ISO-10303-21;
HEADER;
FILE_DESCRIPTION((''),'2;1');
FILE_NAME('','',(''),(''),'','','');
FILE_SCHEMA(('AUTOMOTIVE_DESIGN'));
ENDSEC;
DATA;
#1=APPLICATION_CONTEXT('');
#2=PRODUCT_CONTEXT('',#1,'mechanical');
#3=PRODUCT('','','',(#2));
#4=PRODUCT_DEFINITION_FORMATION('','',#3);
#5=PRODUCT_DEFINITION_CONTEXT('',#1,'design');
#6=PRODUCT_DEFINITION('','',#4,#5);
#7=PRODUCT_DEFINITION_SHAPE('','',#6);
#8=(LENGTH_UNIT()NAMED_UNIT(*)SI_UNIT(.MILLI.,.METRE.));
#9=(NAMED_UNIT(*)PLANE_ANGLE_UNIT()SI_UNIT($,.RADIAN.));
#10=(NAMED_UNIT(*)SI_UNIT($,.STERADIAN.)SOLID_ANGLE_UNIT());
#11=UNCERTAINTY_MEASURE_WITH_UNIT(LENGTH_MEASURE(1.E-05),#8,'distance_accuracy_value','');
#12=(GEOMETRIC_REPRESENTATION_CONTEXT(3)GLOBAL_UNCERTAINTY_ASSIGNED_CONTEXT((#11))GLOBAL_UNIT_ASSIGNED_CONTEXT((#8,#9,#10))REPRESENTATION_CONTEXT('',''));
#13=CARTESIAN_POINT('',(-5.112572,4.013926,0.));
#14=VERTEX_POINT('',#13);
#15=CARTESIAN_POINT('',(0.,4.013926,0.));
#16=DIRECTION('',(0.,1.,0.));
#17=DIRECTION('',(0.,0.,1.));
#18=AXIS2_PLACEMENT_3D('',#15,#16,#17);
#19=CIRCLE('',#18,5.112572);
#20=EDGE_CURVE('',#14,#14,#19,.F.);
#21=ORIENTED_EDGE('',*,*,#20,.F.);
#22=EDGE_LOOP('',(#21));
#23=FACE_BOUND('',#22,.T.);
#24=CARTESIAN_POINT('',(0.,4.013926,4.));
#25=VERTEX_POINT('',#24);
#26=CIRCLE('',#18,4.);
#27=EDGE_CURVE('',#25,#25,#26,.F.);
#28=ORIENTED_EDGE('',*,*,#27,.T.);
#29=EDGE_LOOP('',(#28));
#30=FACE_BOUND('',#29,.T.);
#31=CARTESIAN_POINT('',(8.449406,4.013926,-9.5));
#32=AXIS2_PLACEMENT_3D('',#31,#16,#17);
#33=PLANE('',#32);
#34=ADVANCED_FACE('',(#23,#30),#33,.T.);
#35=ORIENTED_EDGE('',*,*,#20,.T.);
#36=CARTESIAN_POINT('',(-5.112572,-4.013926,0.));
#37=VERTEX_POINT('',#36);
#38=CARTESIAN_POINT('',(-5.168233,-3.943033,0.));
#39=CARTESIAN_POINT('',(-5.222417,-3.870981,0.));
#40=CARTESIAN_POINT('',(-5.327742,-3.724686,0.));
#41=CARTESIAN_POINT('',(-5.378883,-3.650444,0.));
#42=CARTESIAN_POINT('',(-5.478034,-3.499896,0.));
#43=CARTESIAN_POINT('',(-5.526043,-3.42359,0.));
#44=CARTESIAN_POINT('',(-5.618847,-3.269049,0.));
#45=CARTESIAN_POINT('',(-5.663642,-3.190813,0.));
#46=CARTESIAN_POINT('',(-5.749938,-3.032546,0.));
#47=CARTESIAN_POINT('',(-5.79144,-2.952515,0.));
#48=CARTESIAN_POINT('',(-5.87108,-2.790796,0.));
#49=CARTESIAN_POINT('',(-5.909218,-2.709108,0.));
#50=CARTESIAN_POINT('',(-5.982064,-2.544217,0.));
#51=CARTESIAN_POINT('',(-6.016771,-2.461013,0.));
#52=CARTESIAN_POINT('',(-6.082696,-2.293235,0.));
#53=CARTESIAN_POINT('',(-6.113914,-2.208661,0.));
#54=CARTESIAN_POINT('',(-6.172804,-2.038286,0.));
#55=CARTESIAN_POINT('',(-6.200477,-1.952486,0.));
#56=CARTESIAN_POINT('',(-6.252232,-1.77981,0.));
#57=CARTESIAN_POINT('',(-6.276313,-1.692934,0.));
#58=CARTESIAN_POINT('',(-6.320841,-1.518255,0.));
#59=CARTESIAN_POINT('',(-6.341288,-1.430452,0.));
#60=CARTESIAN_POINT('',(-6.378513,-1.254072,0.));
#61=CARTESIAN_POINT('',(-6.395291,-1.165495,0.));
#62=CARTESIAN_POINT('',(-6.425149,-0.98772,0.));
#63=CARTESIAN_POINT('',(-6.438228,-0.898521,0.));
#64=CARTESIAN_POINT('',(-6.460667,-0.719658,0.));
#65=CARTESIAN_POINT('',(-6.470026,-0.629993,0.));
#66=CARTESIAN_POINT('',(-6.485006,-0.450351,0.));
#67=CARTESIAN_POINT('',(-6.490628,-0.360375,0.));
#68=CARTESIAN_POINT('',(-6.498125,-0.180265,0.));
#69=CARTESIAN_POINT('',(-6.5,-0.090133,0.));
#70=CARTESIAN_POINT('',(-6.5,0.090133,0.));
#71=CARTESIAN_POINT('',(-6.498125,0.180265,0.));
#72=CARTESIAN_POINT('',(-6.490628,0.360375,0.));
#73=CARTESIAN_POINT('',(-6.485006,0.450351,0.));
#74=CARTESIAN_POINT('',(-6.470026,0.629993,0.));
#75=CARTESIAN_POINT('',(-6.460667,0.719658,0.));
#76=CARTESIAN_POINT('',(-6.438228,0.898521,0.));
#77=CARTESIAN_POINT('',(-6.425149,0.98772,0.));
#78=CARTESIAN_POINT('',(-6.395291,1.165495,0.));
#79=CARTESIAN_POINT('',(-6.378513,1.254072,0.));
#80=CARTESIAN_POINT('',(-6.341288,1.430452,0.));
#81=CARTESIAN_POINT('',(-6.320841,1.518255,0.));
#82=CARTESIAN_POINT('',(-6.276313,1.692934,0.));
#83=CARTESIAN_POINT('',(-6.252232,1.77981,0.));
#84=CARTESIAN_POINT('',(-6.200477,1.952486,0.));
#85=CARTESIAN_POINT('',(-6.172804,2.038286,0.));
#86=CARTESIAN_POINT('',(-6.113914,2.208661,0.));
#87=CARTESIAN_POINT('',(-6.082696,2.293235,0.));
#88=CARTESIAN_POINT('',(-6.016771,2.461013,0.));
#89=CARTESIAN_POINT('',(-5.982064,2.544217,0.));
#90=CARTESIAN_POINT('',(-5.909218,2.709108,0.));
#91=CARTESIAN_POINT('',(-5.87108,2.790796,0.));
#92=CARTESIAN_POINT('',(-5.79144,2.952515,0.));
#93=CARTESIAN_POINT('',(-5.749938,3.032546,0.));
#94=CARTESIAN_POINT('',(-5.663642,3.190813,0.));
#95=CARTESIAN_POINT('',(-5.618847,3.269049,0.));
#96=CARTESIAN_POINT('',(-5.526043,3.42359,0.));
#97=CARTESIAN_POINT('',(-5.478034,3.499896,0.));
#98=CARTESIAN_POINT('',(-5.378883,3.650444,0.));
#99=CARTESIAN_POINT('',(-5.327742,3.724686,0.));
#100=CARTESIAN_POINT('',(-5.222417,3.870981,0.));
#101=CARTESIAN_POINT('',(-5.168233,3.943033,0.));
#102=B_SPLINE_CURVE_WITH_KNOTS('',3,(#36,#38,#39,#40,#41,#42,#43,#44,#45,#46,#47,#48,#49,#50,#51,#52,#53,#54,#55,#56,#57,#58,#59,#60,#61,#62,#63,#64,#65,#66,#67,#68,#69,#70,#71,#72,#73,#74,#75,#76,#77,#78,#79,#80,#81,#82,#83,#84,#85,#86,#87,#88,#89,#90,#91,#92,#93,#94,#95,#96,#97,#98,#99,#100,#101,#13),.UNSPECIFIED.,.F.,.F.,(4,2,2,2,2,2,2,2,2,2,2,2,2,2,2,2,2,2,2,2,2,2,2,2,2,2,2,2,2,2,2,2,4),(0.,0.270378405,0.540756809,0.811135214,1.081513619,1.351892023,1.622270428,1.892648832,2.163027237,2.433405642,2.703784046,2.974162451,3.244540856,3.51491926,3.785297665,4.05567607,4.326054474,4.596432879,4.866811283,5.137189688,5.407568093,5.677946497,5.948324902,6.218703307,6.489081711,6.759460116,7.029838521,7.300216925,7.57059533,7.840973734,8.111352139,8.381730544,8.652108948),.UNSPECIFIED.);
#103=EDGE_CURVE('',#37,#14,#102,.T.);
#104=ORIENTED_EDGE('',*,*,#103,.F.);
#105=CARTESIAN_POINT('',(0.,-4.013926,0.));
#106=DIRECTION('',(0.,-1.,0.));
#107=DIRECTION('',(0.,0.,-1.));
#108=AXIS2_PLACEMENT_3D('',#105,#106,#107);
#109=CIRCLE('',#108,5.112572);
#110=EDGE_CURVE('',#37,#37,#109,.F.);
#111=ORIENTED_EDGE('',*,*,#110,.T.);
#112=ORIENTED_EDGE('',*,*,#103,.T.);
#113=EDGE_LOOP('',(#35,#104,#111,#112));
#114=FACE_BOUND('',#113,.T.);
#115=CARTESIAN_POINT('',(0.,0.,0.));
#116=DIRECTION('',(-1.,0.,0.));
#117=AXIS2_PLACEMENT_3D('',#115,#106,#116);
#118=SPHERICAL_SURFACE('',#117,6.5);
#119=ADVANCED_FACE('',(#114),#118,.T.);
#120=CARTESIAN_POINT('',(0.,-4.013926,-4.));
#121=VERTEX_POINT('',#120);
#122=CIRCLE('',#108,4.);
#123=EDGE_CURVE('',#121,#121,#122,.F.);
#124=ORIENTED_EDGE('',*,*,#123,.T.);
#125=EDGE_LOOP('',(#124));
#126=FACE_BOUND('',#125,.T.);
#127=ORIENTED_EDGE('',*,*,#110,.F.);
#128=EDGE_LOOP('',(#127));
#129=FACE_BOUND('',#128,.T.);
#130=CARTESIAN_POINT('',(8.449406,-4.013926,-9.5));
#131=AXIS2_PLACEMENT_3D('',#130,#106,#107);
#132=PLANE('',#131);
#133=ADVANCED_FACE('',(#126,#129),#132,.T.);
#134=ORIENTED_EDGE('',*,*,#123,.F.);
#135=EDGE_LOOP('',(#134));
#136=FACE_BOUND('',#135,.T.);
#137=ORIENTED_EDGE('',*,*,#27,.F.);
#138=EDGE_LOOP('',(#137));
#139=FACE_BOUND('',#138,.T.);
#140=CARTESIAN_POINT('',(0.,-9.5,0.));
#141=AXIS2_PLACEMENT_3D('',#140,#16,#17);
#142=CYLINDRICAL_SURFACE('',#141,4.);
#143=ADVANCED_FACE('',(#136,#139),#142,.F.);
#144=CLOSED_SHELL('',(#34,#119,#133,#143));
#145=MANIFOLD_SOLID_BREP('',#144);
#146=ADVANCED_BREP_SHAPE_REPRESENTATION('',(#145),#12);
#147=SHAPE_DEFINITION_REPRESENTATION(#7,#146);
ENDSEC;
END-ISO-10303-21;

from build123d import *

# Parameters (mm, degrees)
SKETCH2_R           = 4
CUT_EXTRUDE1_DEPTH  = 9.5
SKETCH3_OUTSIDE_W   = 19.21
SKETCH3_OUTSIDE_H   = 16.456
SKETCH3_OUTSIDE_W_2 = 16.89881261
SKETCH3_OUTSIDE_H_2 = 8.027852412
CUT_EXTRUDE2_DEPTH  = 9.5


with BuildPart() as part:
    # Sketch1 → Revolve4 (revolve)
    with BuildSketch(Plane.XY):
        with BuildLine():
            Line((0, 6.5), (0, -6.5))
            ThreePointArc((0, -6.5), (6.5, 0), (0, 6.5))
        make_face()
    revolve(axis=Axis((0, 0, 0), (0, 1, 0)))

    # Sketch2 → Cut-Extrude1 (cut, symmetric)
    with BuildSketch(Plane(origin=(0, 0, 0), x_dir=(1, 0, 0), z_dir=(0, 1, 0))):
        with Locations(Location((0, 0, 0), (0, 0, 180))):
            Circle(SKETCH2_R)
    extrude(amount=CUT_EXTRUDE1_DEPTH, both=True, mode=Mode.SUBTRACT)

    # Sketch3 outside → Cut-Extrude2 (cut, symmetric)
    with BuildSketch(Plane.XY):
        Rectangle(SKETCH3_OUTSIDE_W, SKETCH3_OUTSIDE_H)
        Rectangle(SKETCH3_OUTSIDE_W_2, SKETCH3_OUTSIDE_H_2, mode=Mode.SUBTRACT)
    extrude(amount=CUT_EXTRUDE2_DEPTH, both=True, mode=Mode.SUBTRACT)


solid = part.part
